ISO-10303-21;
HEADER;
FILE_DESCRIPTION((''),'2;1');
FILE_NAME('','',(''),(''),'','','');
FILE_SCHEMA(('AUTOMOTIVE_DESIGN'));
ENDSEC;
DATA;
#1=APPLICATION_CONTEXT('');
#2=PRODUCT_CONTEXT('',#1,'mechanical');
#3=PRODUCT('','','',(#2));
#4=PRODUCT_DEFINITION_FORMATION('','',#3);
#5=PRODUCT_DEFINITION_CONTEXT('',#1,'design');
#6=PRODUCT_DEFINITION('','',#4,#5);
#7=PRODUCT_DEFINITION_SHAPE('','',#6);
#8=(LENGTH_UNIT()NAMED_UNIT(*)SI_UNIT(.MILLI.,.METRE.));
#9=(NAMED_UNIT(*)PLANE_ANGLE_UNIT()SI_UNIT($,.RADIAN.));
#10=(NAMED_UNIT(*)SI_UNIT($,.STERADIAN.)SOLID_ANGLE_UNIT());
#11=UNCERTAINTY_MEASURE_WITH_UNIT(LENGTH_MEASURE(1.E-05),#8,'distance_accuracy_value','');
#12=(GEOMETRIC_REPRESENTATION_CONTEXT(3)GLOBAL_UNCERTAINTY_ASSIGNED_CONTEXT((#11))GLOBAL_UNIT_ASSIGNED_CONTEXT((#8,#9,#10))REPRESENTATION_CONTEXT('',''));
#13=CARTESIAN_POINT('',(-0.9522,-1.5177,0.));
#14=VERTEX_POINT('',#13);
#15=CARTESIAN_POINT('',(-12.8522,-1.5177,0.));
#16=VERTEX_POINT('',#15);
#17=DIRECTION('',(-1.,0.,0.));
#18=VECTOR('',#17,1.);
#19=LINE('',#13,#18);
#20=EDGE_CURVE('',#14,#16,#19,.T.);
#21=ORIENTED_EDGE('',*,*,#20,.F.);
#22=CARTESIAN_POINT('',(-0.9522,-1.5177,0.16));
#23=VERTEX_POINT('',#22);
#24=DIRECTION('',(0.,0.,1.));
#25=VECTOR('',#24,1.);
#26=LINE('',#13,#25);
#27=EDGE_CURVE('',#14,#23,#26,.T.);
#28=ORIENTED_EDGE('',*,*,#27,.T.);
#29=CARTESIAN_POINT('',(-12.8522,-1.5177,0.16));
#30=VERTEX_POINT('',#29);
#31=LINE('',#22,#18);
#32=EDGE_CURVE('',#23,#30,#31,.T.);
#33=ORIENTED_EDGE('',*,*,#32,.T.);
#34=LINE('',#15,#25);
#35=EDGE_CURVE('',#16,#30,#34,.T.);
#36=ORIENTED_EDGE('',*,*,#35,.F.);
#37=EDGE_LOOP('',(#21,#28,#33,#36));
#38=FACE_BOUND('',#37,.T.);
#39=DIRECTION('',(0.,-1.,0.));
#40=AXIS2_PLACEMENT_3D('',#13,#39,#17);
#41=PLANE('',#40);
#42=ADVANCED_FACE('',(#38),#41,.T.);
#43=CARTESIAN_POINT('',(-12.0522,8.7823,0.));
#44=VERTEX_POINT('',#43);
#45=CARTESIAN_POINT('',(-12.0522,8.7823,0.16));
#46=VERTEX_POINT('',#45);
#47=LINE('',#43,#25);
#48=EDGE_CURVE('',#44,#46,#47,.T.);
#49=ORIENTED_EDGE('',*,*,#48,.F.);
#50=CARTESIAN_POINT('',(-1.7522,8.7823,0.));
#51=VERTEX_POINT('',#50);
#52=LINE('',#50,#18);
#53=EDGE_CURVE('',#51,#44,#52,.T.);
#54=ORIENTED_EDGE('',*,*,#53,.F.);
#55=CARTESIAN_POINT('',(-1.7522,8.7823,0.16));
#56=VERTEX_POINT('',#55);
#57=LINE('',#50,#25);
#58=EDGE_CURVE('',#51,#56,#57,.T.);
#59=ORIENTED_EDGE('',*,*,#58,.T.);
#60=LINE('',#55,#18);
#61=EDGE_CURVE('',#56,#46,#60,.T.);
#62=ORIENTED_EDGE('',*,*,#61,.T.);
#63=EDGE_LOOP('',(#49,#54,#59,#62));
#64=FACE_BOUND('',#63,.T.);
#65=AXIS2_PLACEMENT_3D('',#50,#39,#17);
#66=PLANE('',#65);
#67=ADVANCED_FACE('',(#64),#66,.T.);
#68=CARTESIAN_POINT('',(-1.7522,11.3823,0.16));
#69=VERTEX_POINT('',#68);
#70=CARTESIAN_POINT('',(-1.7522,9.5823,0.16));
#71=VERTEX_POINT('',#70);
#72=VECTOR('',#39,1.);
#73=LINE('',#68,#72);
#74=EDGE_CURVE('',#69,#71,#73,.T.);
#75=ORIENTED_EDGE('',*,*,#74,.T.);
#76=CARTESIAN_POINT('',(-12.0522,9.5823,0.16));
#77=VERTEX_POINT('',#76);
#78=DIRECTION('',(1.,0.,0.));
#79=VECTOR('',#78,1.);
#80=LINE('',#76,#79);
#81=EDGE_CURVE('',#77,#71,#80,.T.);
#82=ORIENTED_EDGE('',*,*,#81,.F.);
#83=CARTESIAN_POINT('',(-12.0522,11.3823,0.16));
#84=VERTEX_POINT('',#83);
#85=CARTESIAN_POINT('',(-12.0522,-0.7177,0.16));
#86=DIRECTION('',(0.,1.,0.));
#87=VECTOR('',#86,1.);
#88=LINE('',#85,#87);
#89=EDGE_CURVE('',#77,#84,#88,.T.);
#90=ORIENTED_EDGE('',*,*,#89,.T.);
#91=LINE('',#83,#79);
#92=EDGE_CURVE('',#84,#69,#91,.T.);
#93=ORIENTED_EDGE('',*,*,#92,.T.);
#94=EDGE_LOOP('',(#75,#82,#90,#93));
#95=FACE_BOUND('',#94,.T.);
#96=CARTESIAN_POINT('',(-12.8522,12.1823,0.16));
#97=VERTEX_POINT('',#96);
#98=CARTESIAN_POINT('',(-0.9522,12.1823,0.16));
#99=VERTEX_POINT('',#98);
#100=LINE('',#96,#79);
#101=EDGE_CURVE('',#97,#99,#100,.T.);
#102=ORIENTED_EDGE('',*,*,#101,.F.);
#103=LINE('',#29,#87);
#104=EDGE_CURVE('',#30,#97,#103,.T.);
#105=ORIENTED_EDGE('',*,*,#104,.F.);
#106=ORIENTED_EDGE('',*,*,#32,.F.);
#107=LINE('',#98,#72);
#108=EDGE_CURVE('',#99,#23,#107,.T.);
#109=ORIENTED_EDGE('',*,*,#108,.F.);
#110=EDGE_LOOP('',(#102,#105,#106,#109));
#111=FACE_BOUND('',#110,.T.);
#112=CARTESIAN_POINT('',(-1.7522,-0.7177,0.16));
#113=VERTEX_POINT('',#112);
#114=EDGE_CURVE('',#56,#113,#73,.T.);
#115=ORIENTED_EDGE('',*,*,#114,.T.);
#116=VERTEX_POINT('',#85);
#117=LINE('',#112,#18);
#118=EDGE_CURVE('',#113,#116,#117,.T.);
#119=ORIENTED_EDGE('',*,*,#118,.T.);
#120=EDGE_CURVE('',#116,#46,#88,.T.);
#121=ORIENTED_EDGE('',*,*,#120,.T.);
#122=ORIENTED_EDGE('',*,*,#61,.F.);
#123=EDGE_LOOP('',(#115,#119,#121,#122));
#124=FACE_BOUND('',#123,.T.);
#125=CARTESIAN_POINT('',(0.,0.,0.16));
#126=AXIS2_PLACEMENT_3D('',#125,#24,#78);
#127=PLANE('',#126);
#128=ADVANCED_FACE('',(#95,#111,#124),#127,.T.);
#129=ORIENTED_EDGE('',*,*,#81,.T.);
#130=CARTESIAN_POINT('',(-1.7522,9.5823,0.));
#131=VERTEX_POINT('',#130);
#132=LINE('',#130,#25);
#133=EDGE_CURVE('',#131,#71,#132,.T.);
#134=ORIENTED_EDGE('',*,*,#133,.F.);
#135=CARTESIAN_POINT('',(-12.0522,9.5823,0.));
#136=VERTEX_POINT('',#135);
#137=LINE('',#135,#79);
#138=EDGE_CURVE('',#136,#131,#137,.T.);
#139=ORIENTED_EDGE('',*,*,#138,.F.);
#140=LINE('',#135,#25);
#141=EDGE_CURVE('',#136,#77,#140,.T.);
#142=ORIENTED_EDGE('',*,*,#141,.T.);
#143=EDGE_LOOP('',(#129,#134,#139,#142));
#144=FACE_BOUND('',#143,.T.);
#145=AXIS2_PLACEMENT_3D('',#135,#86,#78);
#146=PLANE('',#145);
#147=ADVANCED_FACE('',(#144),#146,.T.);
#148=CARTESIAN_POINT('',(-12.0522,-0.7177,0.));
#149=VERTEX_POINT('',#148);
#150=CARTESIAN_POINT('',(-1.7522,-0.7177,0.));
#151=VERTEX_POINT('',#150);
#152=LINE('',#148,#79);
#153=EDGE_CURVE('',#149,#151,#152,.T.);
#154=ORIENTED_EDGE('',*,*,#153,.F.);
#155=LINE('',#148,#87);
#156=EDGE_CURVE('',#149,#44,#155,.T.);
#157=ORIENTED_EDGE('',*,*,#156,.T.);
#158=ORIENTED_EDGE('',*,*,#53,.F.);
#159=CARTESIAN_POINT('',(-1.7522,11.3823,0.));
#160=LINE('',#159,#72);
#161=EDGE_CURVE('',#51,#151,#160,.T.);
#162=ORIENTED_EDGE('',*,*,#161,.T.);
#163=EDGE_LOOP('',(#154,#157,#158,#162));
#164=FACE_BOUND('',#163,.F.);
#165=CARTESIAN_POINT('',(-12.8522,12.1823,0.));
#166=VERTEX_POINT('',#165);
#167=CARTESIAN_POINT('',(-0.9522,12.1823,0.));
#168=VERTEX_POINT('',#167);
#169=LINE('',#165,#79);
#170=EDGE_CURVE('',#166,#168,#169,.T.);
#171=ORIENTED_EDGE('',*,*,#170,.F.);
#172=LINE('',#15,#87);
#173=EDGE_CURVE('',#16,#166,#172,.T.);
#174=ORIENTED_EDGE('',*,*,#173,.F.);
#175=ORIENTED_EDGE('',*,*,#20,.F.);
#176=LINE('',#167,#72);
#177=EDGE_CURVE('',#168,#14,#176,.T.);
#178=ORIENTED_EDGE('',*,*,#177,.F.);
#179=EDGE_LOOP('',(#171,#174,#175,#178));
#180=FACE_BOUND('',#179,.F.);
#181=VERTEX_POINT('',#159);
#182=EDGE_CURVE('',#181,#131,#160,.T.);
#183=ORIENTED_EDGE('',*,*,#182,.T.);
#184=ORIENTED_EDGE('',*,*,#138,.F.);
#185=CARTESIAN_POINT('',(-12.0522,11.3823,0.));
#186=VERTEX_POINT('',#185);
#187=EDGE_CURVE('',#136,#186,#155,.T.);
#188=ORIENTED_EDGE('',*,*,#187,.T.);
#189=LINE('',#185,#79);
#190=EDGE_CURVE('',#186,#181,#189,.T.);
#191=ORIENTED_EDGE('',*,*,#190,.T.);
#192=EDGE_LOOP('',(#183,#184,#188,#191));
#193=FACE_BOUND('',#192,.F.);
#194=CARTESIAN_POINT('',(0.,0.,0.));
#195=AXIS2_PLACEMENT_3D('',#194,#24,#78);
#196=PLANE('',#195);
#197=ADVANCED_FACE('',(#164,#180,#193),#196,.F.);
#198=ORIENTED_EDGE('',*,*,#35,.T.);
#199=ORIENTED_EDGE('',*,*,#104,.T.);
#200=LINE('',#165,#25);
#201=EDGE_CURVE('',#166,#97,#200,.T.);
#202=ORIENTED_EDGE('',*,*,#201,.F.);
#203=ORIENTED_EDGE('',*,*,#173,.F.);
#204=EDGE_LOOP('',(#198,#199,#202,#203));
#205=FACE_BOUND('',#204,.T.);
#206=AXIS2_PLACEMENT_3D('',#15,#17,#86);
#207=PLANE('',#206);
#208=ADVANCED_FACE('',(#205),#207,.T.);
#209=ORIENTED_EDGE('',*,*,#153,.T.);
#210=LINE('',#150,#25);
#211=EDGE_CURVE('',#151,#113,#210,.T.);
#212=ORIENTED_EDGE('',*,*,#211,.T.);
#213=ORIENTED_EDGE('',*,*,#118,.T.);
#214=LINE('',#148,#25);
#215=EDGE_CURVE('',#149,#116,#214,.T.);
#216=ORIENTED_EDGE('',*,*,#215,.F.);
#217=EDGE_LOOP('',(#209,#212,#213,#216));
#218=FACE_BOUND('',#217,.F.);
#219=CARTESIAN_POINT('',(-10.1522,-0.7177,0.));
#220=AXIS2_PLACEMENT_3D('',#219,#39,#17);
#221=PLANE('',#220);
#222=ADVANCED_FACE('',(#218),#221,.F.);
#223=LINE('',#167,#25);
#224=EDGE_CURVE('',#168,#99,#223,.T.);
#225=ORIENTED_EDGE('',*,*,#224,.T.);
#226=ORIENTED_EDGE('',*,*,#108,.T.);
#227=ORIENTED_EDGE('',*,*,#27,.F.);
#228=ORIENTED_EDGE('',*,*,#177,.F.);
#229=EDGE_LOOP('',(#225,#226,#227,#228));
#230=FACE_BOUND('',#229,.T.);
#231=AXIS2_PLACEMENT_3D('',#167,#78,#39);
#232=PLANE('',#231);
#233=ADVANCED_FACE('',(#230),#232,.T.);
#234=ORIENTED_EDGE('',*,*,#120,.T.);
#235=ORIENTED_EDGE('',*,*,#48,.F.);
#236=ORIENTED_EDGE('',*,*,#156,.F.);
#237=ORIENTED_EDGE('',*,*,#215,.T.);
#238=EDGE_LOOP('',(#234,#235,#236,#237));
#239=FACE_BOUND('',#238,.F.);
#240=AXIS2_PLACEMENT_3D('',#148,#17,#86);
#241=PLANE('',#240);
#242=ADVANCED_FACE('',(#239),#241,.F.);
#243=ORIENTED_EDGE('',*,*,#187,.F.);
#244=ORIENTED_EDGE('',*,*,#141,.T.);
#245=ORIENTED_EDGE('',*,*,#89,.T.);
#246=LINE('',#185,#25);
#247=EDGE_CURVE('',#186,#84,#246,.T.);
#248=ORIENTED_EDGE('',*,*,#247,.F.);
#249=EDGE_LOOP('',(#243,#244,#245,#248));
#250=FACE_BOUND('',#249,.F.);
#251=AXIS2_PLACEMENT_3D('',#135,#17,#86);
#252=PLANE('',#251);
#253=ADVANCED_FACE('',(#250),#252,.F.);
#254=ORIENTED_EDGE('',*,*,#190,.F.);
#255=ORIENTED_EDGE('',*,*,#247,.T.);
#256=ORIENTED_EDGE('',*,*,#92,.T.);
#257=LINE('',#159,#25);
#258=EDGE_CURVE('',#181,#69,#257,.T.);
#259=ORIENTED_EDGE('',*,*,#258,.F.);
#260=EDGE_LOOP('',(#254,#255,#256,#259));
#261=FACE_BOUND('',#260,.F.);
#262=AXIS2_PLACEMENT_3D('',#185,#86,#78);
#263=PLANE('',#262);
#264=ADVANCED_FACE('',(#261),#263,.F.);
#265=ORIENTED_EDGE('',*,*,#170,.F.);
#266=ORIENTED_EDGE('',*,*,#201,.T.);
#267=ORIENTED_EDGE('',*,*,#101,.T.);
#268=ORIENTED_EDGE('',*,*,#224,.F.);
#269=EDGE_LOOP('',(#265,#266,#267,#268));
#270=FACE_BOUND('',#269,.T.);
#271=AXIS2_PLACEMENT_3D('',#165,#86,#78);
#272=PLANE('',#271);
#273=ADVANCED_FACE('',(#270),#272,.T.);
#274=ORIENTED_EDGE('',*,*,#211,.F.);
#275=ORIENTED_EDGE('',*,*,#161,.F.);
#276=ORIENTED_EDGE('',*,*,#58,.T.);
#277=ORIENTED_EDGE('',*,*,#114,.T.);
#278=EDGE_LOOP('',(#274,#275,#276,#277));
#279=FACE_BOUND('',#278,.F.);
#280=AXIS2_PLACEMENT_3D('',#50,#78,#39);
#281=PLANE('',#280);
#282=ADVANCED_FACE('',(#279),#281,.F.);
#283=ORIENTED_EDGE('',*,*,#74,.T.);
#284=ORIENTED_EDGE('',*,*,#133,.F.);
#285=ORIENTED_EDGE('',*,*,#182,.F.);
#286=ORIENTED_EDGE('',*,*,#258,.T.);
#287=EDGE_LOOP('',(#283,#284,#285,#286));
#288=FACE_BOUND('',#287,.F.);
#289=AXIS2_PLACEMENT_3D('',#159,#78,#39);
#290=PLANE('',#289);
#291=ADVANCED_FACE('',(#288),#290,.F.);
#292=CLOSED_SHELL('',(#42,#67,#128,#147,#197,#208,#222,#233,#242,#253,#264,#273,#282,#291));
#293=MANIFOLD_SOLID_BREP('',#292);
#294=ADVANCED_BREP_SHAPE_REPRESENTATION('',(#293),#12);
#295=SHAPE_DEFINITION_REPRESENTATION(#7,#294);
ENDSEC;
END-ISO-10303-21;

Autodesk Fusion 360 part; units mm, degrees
sketch "Sketch1" plane through (0, 0, 0) normal (0, 0, 1) x (1, 0, 0)
  line L0 (-12.0522, 11.3823) -> (-1.7522, 11.3823)
  line L1 (-1.7522, 11.3823) -> (-1.7522, -0.7177)
  line L2 (-1.7522, -0.7177) -> (-12.0522, -0.7177)
  line L3 (-12.0522, -0.7177) -> (-12.0522, 11.3823)
  line L4 (-0.9522, -1.5177) -> (-12.8522, -1.5177)
  line L5 (-12.8522, -1.5177) -> (-12.8522, 12.1823)
  line L6 (-12.8522, 12.1823) -> (-0.9522, 12.1823)
  line L7 (-0.9522, 12.1823) -> (-0.9522, -1.5177)
  line L8 (-12.0522, 9.5823) -> (-1.7522, 9.5823)
  line L9 (-1.7522, 9.5823) -> (-1.7522, 8.7823)
  line L10 (-1.7522, 8.7823) -> (-12.0522, 8.7823)
  line L11 (-12.0522, 8.7823) -> (-12.0522, 9.5823)
  line L12 (-10.1522, -0.7177) -> (-9.6325, 0.1823)
  line L13 (-10.1522, -0.7177) -> (-8.6478, -0.7177) construction
  line L14 (-4.059, -0.7177) -> (-4.5786, 0.1823)
  line L15 (-4.059, -0.7177) -> (-2.5223, -0.7177) construction
  line L16 (-9.6325, 0.1823) -> (-4.5786, 0.1823)
  dimension "d1" = 12.1
  dimension "d2" = 10.3
  dimension "d3" = -0.8
  dimension "d4" = 0.8
  dimension "d5" = 1.8
  dimension "d6" = 60
  dimension "d7" = 0.9
  dimension "d11" = 0.9
  dimension "d12" = 60
  dimension "d19" = 1.9
  dimension "d20" = 10.3
extrude "Extrude1" add sketch "Sketch1" along normal blind 0.16
extrude "Extrude2" add sketch "Sketch1" along normal blind 0.16 contours L1 L3 L8 L9 L10 L11
